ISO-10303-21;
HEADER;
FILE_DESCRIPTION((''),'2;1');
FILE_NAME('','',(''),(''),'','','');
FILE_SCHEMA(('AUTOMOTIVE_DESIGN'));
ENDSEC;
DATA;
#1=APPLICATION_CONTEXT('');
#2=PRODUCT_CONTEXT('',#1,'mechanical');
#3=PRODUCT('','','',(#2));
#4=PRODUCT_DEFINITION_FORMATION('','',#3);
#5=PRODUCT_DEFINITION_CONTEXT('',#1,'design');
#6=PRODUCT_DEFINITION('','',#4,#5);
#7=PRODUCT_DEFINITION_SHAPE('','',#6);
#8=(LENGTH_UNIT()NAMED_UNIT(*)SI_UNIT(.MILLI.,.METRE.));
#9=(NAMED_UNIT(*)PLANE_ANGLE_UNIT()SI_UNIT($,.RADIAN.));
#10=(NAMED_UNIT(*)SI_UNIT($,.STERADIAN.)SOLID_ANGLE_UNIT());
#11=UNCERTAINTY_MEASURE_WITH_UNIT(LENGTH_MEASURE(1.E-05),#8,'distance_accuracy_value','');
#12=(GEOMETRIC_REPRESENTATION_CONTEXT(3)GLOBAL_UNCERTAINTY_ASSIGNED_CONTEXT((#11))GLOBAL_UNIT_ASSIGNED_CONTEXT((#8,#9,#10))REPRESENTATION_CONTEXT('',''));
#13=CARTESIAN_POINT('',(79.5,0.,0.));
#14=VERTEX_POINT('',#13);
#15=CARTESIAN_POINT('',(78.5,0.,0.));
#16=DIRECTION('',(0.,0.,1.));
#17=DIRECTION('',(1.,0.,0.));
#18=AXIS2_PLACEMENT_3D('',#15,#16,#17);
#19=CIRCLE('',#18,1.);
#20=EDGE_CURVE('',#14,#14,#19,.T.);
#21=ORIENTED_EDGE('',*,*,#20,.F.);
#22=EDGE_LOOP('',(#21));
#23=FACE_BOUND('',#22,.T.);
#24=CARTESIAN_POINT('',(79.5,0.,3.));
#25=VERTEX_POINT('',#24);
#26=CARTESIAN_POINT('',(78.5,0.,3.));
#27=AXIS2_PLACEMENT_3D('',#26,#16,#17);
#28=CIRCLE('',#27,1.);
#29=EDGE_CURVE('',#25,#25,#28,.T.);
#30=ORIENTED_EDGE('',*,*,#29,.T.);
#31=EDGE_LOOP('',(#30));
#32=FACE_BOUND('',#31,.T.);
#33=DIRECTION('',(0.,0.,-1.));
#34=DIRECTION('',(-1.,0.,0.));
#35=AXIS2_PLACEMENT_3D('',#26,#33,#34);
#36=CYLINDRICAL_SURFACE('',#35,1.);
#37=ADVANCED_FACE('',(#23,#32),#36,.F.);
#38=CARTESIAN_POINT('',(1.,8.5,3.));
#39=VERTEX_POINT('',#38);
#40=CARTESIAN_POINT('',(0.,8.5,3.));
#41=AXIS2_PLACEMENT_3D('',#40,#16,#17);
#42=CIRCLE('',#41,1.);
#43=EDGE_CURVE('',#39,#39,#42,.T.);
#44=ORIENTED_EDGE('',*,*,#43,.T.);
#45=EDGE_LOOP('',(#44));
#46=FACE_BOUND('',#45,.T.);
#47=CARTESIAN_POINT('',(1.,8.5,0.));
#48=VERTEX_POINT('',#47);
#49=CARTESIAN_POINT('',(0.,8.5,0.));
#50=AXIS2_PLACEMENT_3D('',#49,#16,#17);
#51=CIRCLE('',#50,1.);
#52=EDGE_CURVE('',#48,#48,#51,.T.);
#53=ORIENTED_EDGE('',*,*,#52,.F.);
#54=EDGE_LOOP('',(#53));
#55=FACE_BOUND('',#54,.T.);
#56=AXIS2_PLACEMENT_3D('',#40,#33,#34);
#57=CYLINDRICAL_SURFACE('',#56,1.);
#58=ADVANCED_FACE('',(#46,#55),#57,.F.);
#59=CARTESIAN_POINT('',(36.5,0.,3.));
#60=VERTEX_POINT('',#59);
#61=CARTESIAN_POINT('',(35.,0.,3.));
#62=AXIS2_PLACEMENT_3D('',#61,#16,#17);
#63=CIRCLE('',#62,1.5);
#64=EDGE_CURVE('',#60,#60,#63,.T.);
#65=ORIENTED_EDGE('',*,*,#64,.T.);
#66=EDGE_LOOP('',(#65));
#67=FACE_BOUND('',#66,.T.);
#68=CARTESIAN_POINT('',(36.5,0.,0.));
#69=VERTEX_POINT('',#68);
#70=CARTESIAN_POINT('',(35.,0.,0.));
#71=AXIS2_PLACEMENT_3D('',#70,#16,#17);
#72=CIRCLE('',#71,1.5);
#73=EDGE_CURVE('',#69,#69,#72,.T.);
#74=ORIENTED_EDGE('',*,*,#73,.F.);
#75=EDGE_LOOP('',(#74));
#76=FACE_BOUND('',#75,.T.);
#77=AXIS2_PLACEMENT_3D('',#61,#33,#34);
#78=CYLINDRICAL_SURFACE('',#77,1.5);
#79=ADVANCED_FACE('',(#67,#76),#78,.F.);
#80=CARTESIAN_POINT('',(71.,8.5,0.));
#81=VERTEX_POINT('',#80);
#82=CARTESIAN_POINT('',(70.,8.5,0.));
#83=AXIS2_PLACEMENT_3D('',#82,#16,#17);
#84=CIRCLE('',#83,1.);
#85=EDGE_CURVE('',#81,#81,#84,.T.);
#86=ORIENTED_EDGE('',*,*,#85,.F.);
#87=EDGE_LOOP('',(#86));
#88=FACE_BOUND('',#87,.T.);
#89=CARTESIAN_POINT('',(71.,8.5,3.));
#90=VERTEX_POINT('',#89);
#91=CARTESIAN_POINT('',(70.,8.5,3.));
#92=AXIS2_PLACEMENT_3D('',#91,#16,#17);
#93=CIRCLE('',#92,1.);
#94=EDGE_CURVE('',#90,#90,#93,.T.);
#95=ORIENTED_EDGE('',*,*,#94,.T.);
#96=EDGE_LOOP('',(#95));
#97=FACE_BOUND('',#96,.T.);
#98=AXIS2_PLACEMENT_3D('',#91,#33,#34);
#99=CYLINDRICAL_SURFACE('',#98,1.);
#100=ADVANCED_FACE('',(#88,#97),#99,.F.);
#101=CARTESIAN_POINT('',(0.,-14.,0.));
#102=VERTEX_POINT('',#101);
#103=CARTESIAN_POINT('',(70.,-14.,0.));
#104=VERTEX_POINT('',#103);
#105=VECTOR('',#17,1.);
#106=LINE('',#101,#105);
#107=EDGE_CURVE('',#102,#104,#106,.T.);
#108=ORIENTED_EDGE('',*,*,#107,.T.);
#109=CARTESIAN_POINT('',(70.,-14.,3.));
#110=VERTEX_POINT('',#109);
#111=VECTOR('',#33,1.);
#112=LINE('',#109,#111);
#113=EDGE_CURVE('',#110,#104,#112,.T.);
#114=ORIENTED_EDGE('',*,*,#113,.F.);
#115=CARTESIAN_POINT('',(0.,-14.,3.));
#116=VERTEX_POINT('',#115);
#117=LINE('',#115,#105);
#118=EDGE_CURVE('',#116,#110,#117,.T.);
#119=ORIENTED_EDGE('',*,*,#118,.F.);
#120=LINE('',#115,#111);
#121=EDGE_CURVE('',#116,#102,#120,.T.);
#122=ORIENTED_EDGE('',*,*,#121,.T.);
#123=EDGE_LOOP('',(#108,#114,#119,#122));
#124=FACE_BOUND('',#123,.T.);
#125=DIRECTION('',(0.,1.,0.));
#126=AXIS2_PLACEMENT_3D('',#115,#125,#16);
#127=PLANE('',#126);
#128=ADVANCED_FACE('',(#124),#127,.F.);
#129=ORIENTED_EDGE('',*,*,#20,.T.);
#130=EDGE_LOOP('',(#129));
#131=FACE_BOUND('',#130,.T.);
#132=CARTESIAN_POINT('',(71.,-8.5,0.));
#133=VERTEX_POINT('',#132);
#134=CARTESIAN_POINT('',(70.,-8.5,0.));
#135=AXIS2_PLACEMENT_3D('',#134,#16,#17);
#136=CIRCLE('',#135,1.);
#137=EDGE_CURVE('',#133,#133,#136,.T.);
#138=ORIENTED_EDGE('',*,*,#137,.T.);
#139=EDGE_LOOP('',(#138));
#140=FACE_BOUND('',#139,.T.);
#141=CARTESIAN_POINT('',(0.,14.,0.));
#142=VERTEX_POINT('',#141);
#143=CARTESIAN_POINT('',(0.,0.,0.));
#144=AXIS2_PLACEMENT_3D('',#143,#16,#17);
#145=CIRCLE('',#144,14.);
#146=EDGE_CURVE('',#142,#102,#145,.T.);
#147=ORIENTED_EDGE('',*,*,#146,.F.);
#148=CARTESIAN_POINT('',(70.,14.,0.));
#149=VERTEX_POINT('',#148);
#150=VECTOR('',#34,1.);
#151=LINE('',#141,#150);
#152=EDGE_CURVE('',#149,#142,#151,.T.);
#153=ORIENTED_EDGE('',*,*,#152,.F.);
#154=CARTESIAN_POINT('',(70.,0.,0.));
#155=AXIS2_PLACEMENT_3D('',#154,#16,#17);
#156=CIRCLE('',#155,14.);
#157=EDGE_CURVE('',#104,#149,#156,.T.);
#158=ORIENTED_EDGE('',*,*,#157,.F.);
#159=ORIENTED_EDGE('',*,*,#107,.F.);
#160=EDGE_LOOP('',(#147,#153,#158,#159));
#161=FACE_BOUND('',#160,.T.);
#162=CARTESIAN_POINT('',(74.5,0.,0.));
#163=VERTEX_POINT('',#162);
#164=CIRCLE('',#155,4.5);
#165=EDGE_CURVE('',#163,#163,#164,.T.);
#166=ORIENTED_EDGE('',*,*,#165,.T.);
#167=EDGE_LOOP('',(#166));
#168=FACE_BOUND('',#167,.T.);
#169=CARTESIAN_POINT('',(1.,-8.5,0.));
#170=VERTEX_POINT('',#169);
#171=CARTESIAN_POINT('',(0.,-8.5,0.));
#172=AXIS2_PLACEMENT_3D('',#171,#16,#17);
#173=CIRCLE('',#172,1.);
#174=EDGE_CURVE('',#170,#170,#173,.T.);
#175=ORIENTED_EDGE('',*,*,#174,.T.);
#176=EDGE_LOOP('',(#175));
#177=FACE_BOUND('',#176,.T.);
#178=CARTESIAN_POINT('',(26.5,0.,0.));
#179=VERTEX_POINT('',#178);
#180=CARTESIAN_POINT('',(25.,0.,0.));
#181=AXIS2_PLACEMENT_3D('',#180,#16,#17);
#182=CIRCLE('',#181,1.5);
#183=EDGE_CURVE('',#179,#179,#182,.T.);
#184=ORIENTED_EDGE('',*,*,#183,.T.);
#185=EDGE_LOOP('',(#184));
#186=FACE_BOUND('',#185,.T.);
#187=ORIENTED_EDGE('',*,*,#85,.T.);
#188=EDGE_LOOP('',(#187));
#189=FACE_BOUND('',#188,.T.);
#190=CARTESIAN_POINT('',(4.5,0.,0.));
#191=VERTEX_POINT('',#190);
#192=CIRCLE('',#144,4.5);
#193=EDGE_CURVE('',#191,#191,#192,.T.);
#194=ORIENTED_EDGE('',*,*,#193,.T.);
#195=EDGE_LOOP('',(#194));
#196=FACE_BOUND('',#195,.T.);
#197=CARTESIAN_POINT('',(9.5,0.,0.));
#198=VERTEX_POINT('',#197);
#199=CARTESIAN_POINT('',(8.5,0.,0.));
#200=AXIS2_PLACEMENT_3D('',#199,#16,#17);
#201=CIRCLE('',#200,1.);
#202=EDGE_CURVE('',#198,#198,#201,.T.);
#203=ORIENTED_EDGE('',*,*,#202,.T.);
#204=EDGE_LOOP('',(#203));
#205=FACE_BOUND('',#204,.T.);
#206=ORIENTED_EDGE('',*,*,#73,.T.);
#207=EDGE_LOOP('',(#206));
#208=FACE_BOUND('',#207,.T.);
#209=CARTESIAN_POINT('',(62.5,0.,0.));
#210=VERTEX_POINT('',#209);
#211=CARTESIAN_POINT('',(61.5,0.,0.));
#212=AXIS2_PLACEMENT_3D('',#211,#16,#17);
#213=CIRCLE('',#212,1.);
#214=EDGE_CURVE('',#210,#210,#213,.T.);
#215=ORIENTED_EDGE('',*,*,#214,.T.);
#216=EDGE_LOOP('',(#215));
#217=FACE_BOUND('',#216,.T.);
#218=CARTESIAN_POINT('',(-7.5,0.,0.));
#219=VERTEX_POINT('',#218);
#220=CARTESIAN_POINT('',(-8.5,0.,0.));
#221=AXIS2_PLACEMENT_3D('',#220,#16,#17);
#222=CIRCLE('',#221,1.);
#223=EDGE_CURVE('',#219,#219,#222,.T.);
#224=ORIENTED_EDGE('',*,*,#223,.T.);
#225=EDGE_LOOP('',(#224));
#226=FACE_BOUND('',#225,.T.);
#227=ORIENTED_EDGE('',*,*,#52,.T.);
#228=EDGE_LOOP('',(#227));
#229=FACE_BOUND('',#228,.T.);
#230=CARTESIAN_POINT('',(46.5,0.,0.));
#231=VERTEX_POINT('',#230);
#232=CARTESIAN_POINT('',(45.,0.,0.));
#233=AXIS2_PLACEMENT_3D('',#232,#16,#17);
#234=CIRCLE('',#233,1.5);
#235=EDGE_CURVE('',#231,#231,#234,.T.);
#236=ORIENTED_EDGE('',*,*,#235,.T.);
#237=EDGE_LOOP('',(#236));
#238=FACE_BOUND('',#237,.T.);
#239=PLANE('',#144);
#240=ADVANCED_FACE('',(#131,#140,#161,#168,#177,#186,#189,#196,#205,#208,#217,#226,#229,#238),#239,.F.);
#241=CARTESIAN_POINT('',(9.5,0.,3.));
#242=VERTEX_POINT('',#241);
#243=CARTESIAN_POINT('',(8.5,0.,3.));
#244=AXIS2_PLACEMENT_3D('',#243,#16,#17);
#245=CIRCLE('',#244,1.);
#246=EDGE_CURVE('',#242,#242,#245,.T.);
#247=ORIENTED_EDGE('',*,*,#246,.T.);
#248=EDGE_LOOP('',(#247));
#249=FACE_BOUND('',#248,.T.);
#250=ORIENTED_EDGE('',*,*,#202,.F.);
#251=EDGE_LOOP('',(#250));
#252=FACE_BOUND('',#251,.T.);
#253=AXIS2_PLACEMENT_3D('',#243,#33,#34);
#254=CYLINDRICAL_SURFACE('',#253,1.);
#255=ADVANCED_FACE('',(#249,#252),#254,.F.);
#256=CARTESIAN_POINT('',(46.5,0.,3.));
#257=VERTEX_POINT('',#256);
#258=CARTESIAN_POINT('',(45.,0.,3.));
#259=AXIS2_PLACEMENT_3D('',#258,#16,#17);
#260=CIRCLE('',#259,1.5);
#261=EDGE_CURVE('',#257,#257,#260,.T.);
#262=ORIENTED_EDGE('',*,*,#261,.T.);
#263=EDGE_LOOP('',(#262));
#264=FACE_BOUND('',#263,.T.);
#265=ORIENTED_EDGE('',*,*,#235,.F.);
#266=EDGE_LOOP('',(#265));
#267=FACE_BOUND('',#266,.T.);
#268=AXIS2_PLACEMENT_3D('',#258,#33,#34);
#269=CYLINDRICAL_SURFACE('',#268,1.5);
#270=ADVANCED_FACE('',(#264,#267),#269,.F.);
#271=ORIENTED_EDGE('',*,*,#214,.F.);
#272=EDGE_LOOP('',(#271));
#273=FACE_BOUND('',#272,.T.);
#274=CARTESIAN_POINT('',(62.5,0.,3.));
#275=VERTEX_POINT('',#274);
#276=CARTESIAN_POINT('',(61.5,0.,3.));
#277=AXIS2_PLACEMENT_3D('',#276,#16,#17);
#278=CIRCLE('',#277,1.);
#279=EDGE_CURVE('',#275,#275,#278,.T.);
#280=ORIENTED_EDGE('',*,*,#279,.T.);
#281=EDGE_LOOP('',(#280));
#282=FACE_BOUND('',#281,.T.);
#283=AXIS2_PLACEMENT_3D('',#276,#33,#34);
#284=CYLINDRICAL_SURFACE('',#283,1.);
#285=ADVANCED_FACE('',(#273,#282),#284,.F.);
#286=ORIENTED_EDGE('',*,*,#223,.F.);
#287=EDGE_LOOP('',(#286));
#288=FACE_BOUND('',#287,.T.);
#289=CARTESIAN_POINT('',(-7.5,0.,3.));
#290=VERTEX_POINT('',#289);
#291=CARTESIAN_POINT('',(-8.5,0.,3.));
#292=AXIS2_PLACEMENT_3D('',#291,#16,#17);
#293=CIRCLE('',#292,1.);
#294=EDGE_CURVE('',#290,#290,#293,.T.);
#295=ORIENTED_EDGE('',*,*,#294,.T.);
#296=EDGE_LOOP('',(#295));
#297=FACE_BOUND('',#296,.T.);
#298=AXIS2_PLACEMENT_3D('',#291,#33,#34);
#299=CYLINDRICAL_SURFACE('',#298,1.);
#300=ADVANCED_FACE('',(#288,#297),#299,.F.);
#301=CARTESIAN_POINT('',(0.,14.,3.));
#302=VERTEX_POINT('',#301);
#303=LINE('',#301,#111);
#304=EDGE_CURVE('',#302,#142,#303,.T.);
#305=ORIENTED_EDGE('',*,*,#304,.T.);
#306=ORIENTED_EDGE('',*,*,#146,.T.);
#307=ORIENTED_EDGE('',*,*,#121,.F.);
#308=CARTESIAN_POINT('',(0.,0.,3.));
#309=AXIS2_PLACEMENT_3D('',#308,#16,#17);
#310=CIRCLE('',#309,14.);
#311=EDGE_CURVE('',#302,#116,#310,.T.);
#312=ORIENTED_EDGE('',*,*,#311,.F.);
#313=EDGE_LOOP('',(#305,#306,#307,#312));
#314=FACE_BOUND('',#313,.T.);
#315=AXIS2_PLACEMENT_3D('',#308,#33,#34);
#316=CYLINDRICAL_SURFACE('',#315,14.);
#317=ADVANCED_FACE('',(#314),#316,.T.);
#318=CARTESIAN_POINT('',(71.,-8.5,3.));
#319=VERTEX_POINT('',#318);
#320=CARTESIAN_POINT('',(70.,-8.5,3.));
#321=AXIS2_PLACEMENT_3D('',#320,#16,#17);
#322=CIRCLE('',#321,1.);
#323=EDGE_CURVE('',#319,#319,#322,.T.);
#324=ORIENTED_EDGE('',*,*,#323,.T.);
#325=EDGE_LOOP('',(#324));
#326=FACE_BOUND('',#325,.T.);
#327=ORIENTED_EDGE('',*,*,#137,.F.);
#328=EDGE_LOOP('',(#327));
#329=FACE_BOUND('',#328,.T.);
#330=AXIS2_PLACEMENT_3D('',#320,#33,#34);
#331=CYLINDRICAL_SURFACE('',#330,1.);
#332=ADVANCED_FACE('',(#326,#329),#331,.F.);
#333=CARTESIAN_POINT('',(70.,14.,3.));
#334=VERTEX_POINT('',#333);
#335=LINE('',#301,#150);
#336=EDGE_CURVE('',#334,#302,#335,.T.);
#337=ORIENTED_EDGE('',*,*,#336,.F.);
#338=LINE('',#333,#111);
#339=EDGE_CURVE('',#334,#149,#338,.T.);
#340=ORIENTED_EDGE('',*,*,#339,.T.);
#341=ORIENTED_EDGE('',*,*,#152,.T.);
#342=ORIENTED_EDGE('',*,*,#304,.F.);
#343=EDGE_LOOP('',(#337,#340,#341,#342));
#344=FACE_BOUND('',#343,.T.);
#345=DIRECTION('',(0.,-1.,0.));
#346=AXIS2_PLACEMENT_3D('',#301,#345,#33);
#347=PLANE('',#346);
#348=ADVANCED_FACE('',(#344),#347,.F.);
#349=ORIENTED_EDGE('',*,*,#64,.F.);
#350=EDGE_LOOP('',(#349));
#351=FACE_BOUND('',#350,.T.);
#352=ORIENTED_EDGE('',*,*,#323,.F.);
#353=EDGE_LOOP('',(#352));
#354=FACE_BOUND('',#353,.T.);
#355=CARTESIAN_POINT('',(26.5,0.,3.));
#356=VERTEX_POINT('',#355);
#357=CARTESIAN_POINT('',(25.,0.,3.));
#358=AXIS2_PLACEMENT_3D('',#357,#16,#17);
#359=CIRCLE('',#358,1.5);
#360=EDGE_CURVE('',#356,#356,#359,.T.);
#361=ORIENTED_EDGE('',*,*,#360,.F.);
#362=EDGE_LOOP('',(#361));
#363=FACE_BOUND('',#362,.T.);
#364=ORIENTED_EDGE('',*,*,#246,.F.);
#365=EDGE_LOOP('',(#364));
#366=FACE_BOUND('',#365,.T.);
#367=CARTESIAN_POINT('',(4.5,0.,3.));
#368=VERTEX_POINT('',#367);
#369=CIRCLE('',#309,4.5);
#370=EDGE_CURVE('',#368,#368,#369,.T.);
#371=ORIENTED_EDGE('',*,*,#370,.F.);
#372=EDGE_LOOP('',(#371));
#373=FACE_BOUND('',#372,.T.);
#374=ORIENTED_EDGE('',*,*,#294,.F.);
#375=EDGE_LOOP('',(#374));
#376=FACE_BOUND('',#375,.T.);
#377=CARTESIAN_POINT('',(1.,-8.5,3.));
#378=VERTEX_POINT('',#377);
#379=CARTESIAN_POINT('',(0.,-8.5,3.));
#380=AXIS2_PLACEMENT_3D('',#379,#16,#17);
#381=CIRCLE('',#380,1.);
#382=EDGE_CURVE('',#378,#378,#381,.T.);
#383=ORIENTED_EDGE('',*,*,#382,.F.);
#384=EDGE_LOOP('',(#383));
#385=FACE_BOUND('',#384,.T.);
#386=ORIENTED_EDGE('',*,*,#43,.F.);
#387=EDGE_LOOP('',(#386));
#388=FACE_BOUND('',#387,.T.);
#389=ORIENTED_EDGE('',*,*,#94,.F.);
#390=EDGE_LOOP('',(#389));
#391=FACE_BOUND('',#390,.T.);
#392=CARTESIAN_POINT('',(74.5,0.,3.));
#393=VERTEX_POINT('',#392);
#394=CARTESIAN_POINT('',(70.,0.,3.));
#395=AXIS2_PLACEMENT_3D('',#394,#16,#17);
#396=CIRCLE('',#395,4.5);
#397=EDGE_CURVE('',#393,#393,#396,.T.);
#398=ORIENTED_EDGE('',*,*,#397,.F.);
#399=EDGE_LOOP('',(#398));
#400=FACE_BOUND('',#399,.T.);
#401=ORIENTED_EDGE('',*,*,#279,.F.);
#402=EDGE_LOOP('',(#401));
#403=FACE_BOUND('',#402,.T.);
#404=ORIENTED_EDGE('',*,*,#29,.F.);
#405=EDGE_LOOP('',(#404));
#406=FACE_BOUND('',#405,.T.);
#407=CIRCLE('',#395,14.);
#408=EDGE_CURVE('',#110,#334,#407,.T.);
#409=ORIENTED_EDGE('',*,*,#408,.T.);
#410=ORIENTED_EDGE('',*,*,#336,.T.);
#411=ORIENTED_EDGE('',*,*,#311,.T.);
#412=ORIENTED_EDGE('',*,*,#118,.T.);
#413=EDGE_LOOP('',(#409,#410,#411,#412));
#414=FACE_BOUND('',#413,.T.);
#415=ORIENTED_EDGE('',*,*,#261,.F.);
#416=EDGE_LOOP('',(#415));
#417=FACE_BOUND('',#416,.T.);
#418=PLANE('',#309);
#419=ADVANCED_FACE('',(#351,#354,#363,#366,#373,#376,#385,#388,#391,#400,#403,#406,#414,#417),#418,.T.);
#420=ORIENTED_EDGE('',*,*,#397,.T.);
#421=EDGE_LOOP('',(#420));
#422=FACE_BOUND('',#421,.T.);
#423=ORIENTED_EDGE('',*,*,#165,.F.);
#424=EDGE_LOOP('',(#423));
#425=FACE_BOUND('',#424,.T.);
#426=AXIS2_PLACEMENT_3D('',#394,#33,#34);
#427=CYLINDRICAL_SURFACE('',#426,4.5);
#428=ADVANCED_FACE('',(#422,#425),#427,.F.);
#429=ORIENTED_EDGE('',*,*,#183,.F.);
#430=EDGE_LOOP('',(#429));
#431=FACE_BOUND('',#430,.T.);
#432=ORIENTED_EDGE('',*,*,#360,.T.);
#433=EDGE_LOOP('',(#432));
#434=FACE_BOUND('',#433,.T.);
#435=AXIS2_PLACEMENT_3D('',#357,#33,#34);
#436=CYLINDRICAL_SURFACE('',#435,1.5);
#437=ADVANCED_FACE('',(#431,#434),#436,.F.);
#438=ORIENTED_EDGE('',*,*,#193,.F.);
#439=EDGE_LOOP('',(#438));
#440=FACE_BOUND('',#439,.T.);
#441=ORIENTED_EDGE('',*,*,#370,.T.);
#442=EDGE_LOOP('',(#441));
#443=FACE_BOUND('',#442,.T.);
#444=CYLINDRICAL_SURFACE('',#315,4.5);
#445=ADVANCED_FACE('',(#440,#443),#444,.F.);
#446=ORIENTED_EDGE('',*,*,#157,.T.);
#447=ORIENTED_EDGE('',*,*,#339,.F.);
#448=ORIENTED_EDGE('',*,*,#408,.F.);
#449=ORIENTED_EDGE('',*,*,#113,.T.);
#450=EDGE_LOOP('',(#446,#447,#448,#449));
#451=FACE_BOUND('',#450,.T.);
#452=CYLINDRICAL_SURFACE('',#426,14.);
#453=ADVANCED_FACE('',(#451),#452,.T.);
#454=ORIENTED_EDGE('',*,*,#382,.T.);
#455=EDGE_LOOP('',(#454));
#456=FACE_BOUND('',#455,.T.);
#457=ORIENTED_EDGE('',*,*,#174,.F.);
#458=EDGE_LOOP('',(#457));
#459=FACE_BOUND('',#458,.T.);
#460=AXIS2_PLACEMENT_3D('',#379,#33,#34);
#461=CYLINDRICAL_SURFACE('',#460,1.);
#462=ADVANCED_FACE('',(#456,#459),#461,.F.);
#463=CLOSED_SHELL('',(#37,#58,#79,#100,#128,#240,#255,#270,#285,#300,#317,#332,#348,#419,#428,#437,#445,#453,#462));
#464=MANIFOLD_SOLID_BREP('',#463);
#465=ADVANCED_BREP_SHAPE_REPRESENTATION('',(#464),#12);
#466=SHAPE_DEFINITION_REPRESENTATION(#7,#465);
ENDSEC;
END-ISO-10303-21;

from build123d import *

# Parameters (mm, degrees)
SKETCH1_R           = 4.5
SKETCH1_R_2         = 1
SKETCH1_R_3         = 1.5
BOSS_EXTRUDE1_DEPTH = 3


with BuildPart() as part:
    # Sketch1 → Boss-Extrude1 (new body)
    with BuildSketch(Plane.XY):
        with BuildLine():
            Line((0, 14), (70, 14))
            ThreePointArc((70, 14), (84, 0), (70, -14))
            Line((70, -14), (0, -14))
            ThreePointArc((0, -14), (-14, 0), (0, 14))
        make_face()
        Circle(SKETCH1_R, mode=Mode.SUBTRACT)
        with Locations((0, 8.5)):
            Circle(SKETCH1_R_2, mode=Mode.SUBTRACT)
        with Locations((8.5, 0)):
            Circle(SKETCH1_R_2, mode=Mode.SUBTRACT)
        with Locations((0, -8.5)):
            Circle(SKETCH1_R_2, mode=Mode.SUBTRACT)
        with Locations((-8.5, 0)):
            Circle(SKETCH1_R_2, mode=Mode.SUBTRACT)
        with Locations((70, 0)):
            Circle(SKETCH1_R, mode=Mode.SUBTRACT)
        with Locations((70, 8.5)):
            Circle(SKETCH1_R_2, mode=Mode.SUBTRACT)
        with Locations((78.5, 0)):
            Circle(SKETCH1_R_2, mode=Mode.SUBTRACT)
        with Locations((70, -8.5)):
            Circle(SKETCH1_R_2, mode=Mode.SUBTRACT)
        with Locations((61.5, 0)):
            Circle(SKETCH1_R_2, mode=Mode.SUBTRACT)
        with Locations((25, 0)):
            Circle(SKETCH1_R_3, mode=Mode.SUBTRACT)
        with Locations((35, 0)):
            Circle(SKETCH1_R_3, mode=Mode.SUBTRACT)
        with Locations((45, 0)):
            Circle(SKETCH1_R_3, mode=Mode.SUBTRACT)
    extrude(amount=BOSS_EXTRUDE1_DEPTH)


solid = part.part
